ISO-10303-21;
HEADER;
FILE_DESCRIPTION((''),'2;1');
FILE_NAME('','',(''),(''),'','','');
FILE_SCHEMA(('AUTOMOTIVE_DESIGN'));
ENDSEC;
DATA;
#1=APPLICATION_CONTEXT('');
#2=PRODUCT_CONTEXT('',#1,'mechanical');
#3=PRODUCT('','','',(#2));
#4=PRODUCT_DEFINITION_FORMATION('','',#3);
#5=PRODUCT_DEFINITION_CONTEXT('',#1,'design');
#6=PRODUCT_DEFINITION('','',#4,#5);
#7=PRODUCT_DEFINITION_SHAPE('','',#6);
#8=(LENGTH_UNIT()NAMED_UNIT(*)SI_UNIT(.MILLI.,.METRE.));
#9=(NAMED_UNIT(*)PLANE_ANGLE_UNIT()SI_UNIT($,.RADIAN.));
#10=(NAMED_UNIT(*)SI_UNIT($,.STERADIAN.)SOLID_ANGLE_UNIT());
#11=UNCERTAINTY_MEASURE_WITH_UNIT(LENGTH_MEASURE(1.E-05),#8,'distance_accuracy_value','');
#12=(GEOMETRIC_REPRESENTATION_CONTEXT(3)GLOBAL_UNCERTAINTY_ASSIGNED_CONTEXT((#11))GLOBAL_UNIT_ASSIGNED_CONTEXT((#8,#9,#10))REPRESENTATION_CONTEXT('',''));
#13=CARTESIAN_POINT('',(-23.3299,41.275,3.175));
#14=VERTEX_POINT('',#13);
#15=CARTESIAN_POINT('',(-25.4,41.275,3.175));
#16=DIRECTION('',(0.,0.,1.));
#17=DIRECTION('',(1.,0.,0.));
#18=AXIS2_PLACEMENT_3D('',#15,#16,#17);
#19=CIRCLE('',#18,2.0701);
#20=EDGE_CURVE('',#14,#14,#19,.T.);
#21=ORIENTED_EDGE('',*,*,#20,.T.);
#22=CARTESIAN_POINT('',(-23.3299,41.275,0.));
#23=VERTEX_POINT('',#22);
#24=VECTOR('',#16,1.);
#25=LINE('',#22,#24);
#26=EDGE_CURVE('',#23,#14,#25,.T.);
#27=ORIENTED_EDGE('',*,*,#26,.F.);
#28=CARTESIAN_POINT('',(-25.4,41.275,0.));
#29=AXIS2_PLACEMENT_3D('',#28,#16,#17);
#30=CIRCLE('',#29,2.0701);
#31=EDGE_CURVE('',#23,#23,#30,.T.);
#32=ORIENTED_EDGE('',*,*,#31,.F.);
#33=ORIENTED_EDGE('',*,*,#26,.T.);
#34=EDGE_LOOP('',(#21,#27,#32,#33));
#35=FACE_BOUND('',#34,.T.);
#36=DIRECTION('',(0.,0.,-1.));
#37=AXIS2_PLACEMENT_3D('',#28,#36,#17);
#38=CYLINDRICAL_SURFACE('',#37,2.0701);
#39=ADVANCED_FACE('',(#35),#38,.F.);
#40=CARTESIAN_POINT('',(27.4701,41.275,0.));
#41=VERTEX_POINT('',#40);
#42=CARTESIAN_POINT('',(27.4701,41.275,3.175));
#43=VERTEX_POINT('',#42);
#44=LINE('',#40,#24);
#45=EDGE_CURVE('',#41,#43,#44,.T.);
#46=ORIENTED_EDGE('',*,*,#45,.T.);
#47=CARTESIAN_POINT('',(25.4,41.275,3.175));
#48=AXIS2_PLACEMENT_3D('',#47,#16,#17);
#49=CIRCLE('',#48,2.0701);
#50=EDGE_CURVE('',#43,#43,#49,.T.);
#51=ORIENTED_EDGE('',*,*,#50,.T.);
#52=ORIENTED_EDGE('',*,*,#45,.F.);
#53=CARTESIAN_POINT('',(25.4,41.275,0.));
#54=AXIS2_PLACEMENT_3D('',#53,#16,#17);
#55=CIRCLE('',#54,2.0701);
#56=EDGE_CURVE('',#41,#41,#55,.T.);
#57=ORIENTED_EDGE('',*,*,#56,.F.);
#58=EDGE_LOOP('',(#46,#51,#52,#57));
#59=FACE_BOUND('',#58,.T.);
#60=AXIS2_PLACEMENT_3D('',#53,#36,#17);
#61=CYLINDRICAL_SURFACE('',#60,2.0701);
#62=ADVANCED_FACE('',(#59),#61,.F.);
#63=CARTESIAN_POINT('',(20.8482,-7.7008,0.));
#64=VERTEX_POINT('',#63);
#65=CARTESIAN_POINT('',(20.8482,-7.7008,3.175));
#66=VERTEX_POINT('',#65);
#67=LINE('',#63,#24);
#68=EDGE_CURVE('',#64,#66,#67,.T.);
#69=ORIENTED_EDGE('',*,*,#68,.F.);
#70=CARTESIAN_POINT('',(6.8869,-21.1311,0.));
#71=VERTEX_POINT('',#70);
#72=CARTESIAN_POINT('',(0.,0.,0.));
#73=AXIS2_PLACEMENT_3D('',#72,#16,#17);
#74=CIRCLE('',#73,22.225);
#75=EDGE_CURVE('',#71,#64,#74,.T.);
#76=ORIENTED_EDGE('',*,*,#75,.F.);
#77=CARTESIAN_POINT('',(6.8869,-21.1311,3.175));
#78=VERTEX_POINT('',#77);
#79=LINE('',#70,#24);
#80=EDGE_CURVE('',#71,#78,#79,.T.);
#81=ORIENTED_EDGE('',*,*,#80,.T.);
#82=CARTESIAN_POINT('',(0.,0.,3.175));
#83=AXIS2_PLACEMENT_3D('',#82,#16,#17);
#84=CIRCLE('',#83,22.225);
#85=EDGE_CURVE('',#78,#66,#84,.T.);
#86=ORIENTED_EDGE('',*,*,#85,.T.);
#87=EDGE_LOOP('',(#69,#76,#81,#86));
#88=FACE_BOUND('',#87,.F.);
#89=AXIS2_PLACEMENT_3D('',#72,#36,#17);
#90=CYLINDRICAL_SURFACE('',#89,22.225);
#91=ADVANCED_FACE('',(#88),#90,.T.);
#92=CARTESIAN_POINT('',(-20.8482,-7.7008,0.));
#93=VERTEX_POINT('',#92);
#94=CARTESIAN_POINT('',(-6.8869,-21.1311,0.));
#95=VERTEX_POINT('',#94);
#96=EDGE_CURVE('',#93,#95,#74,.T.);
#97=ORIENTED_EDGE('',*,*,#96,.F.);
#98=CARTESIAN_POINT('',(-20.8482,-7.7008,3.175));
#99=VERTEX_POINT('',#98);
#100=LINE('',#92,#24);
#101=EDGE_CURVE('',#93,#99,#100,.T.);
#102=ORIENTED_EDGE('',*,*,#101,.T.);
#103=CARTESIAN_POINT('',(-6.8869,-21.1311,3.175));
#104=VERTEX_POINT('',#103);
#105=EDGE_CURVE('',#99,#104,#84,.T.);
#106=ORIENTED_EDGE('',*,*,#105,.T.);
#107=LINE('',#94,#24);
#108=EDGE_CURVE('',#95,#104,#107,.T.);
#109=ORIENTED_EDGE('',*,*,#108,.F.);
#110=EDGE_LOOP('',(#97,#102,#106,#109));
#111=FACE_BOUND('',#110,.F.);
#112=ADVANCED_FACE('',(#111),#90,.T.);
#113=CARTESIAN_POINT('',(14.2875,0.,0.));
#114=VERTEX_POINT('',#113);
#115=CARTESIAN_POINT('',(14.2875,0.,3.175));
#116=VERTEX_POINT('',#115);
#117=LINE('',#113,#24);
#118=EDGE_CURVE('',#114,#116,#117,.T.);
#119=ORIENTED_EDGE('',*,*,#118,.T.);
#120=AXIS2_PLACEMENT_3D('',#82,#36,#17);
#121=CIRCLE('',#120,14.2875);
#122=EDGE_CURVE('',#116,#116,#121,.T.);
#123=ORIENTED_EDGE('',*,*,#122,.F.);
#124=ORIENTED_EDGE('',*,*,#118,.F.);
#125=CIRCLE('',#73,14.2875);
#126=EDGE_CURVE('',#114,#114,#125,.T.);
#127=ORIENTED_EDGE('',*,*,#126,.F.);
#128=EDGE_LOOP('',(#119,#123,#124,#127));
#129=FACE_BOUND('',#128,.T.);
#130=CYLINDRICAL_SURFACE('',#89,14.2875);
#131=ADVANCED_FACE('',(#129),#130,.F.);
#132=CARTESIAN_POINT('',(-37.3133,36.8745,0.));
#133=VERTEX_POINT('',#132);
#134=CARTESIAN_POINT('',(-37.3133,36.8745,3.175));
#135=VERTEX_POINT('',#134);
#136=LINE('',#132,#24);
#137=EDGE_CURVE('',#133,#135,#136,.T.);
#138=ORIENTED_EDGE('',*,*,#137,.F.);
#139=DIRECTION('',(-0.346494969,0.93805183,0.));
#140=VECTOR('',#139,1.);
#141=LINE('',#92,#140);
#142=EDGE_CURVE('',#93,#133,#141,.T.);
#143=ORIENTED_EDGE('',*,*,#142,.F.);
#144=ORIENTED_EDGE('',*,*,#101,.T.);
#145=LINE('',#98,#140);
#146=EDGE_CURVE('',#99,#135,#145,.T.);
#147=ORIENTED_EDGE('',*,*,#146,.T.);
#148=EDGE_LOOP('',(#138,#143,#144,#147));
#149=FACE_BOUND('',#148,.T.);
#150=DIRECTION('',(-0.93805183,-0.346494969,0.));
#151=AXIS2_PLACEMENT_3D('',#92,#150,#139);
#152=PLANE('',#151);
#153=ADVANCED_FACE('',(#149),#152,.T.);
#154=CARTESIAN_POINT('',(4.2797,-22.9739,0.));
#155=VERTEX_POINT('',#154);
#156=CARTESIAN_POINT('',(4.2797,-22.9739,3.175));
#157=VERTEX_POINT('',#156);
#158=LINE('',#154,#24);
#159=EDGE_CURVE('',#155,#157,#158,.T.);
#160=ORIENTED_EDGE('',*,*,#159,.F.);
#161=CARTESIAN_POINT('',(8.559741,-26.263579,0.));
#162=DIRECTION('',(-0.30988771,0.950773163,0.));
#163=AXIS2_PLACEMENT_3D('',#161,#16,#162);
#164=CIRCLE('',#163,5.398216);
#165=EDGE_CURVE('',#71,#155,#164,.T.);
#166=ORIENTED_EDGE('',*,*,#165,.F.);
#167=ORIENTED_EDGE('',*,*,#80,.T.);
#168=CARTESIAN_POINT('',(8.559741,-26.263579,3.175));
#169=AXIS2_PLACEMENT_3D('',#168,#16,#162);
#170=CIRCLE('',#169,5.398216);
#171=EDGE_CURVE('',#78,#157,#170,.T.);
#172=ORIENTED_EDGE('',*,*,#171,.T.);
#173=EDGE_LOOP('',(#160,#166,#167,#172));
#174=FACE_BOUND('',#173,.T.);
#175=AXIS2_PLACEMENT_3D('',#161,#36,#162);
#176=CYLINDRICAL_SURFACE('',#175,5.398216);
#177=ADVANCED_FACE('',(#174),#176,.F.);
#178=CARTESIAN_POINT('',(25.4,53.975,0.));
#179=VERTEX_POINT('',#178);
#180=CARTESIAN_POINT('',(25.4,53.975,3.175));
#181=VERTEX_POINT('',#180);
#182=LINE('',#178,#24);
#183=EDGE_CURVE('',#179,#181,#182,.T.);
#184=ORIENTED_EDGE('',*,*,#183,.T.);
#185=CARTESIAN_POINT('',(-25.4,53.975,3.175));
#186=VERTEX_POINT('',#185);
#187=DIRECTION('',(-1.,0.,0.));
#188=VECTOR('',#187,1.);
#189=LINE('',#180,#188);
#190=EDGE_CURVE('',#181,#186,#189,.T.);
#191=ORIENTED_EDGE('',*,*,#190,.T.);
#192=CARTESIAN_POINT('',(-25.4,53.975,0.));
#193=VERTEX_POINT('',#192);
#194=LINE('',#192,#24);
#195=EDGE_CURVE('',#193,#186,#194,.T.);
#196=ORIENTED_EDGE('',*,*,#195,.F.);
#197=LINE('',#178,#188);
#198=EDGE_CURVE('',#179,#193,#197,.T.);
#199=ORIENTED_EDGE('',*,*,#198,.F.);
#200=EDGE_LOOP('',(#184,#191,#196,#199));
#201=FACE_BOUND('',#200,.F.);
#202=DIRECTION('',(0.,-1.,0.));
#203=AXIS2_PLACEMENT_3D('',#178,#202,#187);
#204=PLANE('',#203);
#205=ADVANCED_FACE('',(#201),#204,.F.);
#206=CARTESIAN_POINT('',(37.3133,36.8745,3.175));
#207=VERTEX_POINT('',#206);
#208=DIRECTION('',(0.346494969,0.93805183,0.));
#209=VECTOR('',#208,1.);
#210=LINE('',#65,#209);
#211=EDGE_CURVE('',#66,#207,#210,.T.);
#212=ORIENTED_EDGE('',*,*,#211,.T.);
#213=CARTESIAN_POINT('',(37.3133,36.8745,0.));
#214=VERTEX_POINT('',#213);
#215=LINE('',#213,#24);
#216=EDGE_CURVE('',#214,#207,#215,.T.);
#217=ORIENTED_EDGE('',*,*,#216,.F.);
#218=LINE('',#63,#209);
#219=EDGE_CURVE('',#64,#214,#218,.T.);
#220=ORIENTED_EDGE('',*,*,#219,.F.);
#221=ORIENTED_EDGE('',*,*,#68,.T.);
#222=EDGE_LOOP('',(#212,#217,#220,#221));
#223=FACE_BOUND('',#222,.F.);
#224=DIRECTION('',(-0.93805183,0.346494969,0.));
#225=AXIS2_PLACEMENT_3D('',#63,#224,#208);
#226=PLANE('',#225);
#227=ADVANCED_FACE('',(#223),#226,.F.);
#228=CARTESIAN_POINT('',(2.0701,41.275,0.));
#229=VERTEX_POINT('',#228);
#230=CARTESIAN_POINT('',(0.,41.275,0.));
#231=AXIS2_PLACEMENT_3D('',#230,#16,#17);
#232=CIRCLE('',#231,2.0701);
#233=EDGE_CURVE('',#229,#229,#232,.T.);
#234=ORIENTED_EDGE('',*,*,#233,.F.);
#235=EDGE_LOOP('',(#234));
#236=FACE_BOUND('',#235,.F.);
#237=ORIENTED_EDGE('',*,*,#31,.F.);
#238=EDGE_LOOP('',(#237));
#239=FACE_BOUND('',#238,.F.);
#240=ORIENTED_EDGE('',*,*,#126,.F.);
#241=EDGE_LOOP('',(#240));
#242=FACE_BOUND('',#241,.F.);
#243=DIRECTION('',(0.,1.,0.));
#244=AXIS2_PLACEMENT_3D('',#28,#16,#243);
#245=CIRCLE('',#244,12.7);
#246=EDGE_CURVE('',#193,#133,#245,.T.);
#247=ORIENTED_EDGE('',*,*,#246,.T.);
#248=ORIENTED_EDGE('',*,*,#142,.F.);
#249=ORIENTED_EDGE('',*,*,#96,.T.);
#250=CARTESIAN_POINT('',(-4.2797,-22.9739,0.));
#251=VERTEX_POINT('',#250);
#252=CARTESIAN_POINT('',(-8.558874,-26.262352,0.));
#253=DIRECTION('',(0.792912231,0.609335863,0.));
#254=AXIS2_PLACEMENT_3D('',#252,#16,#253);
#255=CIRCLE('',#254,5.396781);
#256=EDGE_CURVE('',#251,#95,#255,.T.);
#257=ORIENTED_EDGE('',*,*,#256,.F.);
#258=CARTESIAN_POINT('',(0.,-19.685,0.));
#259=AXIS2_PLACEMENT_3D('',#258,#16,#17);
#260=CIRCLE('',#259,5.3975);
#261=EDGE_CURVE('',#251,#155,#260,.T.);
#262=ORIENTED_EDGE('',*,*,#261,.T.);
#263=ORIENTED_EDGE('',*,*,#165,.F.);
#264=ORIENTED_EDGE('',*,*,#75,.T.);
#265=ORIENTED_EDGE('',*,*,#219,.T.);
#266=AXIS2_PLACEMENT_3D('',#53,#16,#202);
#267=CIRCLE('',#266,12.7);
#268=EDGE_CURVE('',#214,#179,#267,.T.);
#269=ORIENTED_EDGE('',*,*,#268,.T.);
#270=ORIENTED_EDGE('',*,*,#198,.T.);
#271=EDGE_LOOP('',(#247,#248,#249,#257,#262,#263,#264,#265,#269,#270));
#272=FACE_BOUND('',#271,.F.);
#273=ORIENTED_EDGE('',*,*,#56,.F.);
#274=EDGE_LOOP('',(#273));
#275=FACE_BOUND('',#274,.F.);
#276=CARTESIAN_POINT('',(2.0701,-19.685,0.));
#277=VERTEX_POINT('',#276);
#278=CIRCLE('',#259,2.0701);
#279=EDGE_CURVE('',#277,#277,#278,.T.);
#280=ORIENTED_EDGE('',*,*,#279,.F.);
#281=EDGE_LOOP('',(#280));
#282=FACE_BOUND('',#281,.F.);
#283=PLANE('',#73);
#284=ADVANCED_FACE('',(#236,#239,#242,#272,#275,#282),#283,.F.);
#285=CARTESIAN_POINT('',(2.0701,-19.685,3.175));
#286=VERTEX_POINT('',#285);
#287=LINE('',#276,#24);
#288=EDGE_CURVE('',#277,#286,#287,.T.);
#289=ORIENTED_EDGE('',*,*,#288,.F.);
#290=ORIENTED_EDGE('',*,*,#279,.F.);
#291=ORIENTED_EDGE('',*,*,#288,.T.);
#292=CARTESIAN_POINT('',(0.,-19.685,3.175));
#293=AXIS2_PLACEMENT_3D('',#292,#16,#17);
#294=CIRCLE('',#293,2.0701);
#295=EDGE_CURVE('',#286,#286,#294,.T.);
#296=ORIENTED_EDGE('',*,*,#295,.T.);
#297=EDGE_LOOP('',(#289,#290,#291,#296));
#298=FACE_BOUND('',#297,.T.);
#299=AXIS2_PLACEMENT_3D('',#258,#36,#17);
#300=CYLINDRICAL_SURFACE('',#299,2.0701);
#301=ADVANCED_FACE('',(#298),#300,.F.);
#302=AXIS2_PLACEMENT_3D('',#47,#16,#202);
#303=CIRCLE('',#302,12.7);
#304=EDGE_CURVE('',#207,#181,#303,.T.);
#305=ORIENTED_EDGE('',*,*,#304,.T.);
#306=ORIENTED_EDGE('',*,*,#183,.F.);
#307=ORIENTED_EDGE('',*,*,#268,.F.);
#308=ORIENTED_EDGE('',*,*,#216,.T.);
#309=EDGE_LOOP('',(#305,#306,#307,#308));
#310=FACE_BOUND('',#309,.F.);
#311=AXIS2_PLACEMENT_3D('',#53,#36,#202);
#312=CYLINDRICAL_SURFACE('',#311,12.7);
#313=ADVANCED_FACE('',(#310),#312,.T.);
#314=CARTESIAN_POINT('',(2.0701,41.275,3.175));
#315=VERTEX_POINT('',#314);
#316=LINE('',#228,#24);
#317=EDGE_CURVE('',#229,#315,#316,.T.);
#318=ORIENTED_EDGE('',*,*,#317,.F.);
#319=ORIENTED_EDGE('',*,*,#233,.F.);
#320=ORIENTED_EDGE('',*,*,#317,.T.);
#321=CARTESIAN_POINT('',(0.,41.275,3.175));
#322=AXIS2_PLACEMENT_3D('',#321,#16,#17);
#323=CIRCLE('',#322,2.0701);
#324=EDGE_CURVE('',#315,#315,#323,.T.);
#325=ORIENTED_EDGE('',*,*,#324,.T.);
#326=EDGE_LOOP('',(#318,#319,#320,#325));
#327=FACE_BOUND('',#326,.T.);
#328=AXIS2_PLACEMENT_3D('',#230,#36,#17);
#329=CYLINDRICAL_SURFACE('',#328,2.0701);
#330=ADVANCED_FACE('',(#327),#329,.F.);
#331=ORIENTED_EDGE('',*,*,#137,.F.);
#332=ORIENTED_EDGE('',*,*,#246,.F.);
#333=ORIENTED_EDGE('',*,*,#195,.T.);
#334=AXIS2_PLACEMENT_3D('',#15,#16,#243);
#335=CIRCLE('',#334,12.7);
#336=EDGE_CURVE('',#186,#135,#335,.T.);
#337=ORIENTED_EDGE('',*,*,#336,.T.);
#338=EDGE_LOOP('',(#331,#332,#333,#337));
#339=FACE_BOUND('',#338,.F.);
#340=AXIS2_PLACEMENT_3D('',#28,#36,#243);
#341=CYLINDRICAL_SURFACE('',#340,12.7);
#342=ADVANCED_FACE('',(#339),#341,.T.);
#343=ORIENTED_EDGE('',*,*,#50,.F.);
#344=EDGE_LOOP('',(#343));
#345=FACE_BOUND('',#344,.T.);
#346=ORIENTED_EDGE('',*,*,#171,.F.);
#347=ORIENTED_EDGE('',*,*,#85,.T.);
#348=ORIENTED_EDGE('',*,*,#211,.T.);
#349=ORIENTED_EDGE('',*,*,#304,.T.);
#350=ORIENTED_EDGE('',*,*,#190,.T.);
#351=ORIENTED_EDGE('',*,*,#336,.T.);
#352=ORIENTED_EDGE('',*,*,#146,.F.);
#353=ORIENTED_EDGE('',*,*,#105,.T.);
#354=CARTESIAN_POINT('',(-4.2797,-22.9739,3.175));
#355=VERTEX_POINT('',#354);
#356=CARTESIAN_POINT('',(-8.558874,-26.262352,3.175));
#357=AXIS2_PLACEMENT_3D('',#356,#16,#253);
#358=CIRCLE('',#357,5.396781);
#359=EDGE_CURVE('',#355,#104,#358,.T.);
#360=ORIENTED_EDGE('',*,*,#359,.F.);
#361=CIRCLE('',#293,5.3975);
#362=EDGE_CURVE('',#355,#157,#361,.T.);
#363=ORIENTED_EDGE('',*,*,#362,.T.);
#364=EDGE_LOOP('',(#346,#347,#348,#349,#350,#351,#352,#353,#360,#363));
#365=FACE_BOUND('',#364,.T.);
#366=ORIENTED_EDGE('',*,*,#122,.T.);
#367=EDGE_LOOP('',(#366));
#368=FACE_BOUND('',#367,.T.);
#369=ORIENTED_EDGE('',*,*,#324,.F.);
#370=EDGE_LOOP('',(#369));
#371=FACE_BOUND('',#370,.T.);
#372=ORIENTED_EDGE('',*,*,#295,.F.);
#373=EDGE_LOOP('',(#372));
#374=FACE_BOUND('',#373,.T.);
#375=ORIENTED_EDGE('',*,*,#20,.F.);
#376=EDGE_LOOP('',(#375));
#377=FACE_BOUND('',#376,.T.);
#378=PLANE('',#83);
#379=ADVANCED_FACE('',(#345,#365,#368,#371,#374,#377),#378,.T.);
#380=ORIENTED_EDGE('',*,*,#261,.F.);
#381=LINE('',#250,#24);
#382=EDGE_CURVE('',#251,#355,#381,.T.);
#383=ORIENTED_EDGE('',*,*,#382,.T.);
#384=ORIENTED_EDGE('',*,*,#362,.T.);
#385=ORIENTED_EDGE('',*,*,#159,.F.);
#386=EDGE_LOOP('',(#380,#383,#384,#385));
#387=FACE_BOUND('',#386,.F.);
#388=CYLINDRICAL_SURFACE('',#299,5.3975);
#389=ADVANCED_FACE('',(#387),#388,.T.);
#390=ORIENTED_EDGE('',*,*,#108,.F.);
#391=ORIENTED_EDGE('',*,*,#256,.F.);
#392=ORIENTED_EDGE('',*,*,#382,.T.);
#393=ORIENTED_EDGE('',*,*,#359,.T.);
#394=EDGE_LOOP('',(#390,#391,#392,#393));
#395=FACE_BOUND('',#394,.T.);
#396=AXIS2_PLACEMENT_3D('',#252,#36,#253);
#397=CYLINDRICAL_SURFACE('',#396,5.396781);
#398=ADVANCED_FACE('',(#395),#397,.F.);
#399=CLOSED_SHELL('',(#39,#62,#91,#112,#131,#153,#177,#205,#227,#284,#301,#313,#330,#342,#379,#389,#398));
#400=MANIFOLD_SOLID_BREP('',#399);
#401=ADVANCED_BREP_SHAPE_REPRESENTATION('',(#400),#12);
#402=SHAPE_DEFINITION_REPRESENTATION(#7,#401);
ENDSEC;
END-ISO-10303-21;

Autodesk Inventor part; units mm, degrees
ref_plane "YZ Plane" through (0, 0, 0) normal (1, 0, 0) x (0, 1, 0)
ref_plane "XZ Plane" through (0, 0, 0) normal (0, 1, 0) x (-1, 0, 0)
ref_plane "XY Plane" through (0, 0, 0) normal (0, 0, 1) x (1, 0, 0)
sketch "Sketch1" plane through (0, 0, 0) normal (0, 0, 1) x (1, 0, 0)
  circle A0 centre (0, 0) radius 14.2875
  circle A1 centre (-25.4, 41.275) radius 2.0701
  circle A2 centre (0, 41.275) radius 2.0701
  circle A3 centre (25.4, 41.275) radius 2.0701
  line L0 (-25.4, 41.275) -> (25.4, 41.275) construction
  circle A4 centre (0, 0) radius 22.225
  line L1 (-25.4, 41.275) -> (25.4, 41.275) construction
  line L2 (-25.4, 28.575) -> (25.4, 28.575) construction
  line L3 (25.4, 53.975) -> (-25.4, 53.975)
  arc A5 (-25.4, 53.975) -> (-25.4, 28.575) centre (-25.4, 41.275) ccw
  arc A6 (25.4, 28.575) -> (25.4, 53.975) centre (25.4, 41.275) ccw
  line L4 (-20.8482, -7.7008) -> (-37.3133, 36.8745)
  line L5 (1.8331, -22.86) -> (-1.8331, -22.86) construction
  line L6 (-1.8331, -22.86) -> (-3.6662, -19.685) construction
  line L7 (-3.6662, -19.685) -> (-1.8331, -16.51) construction
  line L8 (-1.8331, -16.51) -> (1.8331, -16.51) construction
  line L9 (1.8331, -16.51) -> (3.6662, -19.685) construction
  line L10 (3.6662, -19.685) -> (1.8331, -22.86) construction
  circle A7 centre (0, 0) radius 16.51 construction
  circle A8 centre (0, -19.685) radius 2.0701
  line L11 (0, -19.685) -> (0, 0) construction
  circle A9 centre (0, -19.685) radius 5.3975
  arc A10 (-4.2797, -22.9739) -> (-6.8869, -21.1311) centre (-8.5594, -26.2629) ccw
  arc A11 (6.8869, -21.1311) -> (4.2797, -22.9739) centre (8.5594, -26.2629) ccw
  circle A12 centre (0, -19.685) radius 4.0005 construction
  line L12 (20.8482, -7.7008) -> (37.3133, 36.8745)
  point P0 (0, -22.86)
  dimension "d0" = 25.4
  dimension "d4" = 4.1402
  dimension "d5" = 28.575
  dimension "d6" = 44.45
  dimension "d7" = 25.4
  dimension "d10" = 6.35
  dimension "d11" = 33.02
  dimension "d12" = 8.001
  dimension "d13" = 41.275
extrude "Extrusion1" add sketch "Sketch1" along normal blind 3.175
sketch "Sketch2" plane through (0, 0, 3.175) normal (0, 0, 1) x (1, 0, 0)
  arc A0 (-4.2797, -22.9739) -> (-6.8869, -21.1311) centre (-8.5594, -26.2629) ccw projected
  arc A1 (-4.2797, -22.9739) -> (4.2797, -22.9739) centre (0, -19.685) ccw projected
  arc A2 (6.8869, -21.1311) -> (4.2797, -22.9739) centre (8.5594, -26.2629) ccw projected
  arc A3 (6.8869, -21.1311) -> (20.8482, -7.7008) centre (0, 0) ccw projected
  line L0 (20.8482, -7.7008) -> (37.3133, 36.8745) projected
  arc A4 (37.3133, 36.8745) -> (25.4, 53.975) centre (25.4, 41.275) ccw projected
  line L1 (25.4, 53.975) -> (-25.4, 53.975) projected
  arc A5 (-25.4, 53.975) -> (-37.3133, 36.8745) centre (-25.4, 41.275) ccw projected
  line L2 (-37.3133, 36.8745) -> (-20.8482, -7.7008) projected
  arc A6 (-20.8482, -7.7008) -> (-6.8869, -21.1311) centre (0, 0) ccw projected
  circle A7 centre (0, 0) radius 14.2875 projected
  circle A8 centre (0, -19.685) radius 2.0701 projected
  circle A9 centre (0, 41.275) radius 2.0701 projected
  circle A10 centre (25.4, 41.275) radius 2.0701 projected
  circle A11 centre (-25.4, 41.275) radius 2.0701 projected
properties part number "Intake Motor Holder Using 1__16 Gray Tinted Polycarbonate Sheet (36 x 72) (217-6627)" material "Polycarbonate, Clear"
